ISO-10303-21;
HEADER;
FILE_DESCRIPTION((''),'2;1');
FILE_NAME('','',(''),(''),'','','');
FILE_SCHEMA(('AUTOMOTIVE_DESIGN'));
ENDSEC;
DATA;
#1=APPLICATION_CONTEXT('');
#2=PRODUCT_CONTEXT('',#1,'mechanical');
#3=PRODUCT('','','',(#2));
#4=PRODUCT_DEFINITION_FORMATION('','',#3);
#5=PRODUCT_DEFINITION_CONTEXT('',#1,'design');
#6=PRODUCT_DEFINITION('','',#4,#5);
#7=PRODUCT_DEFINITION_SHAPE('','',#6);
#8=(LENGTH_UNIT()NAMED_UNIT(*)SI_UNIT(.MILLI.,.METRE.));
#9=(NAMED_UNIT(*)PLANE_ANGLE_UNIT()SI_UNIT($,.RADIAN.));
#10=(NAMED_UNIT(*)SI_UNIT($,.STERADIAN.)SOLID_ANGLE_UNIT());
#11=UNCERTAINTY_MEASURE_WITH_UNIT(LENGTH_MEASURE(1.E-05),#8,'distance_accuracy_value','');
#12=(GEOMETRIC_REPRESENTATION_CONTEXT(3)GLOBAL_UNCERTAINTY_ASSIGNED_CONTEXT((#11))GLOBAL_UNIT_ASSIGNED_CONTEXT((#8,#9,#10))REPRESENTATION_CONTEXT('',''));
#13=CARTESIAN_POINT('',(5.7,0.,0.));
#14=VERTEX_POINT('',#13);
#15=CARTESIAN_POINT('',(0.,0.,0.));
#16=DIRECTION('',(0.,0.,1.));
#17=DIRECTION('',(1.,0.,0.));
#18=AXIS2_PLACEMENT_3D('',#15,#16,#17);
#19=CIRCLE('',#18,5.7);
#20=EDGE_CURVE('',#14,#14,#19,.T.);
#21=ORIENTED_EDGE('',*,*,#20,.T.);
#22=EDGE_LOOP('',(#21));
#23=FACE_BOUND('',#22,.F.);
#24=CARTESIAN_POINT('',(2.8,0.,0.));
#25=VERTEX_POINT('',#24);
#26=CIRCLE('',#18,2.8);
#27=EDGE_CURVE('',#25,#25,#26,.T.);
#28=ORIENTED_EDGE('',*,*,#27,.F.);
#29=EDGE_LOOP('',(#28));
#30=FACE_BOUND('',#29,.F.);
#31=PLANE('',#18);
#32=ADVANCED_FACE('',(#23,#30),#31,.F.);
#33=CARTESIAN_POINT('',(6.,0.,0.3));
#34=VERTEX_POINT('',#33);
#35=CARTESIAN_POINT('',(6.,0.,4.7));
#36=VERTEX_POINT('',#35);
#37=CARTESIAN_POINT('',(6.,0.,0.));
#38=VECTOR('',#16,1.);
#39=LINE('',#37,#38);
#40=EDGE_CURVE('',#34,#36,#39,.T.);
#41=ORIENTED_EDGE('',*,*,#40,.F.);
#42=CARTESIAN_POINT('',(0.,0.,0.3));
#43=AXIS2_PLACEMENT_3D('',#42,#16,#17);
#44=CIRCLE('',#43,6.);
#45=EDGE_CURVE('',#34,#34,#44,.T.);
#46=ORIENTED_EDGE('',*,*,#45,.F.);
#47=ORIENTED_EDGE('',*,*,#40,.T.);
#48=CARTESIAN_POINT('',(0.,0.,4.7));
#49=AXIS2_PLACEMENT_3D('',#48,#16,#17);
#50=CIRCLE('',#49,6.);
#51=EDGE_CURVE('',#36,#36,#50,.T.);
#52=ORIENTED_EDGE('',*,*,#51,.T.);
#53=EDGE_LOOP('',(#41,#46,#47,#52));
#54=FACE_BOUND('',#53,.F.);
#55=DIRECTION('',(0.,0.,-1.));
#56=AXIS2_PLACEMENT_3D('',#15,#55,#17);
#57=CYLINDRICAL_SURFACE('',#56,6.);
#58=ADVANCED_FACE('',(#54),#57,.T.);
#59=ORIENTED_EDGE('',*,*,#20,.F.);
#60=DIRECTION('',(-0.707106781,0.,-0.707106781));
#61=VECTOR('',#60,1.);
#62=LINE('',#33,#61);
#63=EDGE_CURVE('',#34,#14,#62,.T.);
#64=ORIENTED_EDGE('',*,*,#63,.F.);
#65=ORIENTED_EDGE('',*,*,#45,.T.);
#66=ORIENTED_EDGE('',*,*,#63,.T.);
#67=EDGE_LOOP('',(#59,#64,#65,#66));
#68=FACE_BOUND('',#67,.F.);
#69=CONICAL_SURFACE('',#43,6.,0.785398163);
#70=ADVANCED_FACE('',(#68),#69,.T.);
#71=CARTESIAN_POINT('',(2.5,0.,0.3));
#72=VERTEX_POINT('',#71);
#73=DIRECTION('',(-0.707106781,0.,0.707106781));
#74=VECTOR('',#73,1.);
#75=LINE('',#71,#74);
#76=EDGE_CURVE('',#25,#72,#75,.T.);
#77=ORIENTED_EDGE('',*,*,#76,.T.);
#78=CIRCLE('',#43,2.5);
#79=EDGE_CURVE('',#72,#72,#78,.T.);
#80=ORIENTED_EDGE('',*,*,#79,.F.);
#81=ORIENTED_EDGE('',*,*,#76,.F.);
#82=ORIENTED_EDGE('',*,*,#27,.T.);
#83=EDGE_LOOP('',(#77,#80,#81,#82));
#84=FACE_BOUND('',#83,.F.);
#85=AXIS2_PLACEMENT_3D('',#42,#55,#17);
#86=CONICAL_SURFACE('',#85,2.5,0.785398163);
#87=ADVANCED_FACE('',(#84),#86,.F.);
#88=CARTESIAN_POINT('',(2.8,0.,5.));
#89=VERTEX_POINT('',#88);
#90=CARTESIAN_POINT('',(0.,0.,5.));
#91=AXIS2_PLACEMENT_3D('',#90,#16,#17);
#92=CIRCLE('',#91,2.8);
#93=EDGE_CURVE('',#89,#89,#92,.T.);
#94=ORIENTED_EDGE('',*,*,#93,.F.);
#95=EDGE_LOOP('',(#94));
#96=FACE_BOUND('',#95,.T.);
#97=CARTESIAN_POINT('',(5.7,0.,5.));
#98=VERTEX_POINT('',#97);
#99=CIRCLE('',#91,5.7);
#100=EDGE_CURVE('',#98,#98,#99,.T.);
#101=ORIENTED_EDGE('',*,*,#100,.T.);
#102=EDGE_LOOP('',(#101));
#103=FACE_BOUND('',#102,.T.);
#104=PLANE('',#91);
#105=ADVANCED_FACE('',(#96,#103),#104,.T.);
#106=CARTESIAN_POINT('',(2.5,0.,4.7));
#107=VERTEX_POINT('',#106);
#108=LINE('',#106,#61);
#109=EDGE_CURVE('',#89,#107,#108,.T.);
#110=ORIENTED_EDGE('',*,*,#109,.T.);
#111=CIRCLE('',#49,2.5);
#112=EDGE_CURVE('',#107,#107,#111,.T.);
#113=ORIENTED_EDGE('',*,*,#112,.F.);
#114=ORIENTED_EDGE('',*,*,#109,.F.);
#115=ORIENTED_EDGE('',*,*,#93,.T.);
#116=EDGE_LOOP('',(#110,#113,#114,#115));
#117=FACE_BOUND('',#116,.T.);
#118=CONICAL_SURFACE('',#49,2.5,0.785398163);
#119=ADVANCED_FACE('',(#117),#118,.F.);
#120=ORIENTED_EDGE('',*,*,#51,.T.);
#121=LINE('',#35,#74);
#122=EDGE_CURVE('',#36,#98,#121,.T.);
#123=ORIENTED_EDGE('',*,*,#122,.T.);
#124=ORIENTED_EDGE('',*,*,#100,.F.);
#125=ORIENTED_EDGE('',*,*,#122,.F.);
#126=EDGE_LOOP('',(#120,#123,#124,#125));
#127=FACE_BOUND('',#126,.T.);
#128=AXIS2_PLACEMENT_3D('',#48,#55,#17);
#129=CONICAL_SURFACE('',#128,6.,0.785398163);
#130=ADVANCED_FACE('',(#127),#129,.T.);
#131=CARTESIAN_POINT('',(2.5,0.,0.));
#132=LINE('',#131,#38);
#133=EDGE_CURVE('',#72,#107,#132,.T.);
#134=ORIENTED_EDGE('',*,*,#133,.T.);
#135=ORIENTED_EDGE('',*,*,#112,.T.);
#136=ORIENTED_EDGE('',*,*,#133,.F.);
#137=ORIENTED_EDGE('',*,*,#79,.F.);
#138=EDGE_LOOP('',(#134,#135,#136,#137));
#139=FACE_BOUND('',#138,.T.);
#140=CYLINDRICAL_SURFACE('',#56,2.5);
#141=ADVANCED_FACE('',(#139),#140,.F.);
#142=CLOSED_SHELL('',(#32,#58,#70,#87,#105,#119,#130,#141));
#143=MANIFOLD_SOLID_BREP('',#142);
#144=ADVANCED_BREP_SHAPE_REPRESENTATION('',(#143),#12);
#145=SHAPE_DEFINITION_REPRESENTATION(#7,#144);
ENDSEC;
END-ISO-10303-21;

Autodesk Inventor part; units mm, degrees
ref_plane "YZ Plane" through (0, 0, 0) normal (1, 0, 0) x (0, 1, 0)
ref_plane "XZ Plane" through (0, 0, 0) normal (0, 1, 0) x (-1, 0, 0)
ref_plane "XY Plane" through (0, 0, 0) normal (0, 0, 1) x (1, 0, 0)
sketch "Szkic1" plane through (0, 0, 0) normal (0, 0, 1) x (1, 0, 0)
  circle A0 centre (0, 0) radius 6
  circle A1 centre (0, 0) radius 2.5
  dimension "d0" = 12
  dimension "d1" = 5
extrude "Wyciągnięcie proste1" add sketch "Szkic1" along normal blind 5
chamfer "Faza1" distance 0.3 angle 45 2 edges at (-6, 0, 5) (-6, 0, 0)
chamfer "Faza2" distance 0.3 angle 45 2 edges at (-2.5, 0, 5) (-2.5, 0, 0)
properties part number "COTS_GENERIC_Bearing_12x5x5"
